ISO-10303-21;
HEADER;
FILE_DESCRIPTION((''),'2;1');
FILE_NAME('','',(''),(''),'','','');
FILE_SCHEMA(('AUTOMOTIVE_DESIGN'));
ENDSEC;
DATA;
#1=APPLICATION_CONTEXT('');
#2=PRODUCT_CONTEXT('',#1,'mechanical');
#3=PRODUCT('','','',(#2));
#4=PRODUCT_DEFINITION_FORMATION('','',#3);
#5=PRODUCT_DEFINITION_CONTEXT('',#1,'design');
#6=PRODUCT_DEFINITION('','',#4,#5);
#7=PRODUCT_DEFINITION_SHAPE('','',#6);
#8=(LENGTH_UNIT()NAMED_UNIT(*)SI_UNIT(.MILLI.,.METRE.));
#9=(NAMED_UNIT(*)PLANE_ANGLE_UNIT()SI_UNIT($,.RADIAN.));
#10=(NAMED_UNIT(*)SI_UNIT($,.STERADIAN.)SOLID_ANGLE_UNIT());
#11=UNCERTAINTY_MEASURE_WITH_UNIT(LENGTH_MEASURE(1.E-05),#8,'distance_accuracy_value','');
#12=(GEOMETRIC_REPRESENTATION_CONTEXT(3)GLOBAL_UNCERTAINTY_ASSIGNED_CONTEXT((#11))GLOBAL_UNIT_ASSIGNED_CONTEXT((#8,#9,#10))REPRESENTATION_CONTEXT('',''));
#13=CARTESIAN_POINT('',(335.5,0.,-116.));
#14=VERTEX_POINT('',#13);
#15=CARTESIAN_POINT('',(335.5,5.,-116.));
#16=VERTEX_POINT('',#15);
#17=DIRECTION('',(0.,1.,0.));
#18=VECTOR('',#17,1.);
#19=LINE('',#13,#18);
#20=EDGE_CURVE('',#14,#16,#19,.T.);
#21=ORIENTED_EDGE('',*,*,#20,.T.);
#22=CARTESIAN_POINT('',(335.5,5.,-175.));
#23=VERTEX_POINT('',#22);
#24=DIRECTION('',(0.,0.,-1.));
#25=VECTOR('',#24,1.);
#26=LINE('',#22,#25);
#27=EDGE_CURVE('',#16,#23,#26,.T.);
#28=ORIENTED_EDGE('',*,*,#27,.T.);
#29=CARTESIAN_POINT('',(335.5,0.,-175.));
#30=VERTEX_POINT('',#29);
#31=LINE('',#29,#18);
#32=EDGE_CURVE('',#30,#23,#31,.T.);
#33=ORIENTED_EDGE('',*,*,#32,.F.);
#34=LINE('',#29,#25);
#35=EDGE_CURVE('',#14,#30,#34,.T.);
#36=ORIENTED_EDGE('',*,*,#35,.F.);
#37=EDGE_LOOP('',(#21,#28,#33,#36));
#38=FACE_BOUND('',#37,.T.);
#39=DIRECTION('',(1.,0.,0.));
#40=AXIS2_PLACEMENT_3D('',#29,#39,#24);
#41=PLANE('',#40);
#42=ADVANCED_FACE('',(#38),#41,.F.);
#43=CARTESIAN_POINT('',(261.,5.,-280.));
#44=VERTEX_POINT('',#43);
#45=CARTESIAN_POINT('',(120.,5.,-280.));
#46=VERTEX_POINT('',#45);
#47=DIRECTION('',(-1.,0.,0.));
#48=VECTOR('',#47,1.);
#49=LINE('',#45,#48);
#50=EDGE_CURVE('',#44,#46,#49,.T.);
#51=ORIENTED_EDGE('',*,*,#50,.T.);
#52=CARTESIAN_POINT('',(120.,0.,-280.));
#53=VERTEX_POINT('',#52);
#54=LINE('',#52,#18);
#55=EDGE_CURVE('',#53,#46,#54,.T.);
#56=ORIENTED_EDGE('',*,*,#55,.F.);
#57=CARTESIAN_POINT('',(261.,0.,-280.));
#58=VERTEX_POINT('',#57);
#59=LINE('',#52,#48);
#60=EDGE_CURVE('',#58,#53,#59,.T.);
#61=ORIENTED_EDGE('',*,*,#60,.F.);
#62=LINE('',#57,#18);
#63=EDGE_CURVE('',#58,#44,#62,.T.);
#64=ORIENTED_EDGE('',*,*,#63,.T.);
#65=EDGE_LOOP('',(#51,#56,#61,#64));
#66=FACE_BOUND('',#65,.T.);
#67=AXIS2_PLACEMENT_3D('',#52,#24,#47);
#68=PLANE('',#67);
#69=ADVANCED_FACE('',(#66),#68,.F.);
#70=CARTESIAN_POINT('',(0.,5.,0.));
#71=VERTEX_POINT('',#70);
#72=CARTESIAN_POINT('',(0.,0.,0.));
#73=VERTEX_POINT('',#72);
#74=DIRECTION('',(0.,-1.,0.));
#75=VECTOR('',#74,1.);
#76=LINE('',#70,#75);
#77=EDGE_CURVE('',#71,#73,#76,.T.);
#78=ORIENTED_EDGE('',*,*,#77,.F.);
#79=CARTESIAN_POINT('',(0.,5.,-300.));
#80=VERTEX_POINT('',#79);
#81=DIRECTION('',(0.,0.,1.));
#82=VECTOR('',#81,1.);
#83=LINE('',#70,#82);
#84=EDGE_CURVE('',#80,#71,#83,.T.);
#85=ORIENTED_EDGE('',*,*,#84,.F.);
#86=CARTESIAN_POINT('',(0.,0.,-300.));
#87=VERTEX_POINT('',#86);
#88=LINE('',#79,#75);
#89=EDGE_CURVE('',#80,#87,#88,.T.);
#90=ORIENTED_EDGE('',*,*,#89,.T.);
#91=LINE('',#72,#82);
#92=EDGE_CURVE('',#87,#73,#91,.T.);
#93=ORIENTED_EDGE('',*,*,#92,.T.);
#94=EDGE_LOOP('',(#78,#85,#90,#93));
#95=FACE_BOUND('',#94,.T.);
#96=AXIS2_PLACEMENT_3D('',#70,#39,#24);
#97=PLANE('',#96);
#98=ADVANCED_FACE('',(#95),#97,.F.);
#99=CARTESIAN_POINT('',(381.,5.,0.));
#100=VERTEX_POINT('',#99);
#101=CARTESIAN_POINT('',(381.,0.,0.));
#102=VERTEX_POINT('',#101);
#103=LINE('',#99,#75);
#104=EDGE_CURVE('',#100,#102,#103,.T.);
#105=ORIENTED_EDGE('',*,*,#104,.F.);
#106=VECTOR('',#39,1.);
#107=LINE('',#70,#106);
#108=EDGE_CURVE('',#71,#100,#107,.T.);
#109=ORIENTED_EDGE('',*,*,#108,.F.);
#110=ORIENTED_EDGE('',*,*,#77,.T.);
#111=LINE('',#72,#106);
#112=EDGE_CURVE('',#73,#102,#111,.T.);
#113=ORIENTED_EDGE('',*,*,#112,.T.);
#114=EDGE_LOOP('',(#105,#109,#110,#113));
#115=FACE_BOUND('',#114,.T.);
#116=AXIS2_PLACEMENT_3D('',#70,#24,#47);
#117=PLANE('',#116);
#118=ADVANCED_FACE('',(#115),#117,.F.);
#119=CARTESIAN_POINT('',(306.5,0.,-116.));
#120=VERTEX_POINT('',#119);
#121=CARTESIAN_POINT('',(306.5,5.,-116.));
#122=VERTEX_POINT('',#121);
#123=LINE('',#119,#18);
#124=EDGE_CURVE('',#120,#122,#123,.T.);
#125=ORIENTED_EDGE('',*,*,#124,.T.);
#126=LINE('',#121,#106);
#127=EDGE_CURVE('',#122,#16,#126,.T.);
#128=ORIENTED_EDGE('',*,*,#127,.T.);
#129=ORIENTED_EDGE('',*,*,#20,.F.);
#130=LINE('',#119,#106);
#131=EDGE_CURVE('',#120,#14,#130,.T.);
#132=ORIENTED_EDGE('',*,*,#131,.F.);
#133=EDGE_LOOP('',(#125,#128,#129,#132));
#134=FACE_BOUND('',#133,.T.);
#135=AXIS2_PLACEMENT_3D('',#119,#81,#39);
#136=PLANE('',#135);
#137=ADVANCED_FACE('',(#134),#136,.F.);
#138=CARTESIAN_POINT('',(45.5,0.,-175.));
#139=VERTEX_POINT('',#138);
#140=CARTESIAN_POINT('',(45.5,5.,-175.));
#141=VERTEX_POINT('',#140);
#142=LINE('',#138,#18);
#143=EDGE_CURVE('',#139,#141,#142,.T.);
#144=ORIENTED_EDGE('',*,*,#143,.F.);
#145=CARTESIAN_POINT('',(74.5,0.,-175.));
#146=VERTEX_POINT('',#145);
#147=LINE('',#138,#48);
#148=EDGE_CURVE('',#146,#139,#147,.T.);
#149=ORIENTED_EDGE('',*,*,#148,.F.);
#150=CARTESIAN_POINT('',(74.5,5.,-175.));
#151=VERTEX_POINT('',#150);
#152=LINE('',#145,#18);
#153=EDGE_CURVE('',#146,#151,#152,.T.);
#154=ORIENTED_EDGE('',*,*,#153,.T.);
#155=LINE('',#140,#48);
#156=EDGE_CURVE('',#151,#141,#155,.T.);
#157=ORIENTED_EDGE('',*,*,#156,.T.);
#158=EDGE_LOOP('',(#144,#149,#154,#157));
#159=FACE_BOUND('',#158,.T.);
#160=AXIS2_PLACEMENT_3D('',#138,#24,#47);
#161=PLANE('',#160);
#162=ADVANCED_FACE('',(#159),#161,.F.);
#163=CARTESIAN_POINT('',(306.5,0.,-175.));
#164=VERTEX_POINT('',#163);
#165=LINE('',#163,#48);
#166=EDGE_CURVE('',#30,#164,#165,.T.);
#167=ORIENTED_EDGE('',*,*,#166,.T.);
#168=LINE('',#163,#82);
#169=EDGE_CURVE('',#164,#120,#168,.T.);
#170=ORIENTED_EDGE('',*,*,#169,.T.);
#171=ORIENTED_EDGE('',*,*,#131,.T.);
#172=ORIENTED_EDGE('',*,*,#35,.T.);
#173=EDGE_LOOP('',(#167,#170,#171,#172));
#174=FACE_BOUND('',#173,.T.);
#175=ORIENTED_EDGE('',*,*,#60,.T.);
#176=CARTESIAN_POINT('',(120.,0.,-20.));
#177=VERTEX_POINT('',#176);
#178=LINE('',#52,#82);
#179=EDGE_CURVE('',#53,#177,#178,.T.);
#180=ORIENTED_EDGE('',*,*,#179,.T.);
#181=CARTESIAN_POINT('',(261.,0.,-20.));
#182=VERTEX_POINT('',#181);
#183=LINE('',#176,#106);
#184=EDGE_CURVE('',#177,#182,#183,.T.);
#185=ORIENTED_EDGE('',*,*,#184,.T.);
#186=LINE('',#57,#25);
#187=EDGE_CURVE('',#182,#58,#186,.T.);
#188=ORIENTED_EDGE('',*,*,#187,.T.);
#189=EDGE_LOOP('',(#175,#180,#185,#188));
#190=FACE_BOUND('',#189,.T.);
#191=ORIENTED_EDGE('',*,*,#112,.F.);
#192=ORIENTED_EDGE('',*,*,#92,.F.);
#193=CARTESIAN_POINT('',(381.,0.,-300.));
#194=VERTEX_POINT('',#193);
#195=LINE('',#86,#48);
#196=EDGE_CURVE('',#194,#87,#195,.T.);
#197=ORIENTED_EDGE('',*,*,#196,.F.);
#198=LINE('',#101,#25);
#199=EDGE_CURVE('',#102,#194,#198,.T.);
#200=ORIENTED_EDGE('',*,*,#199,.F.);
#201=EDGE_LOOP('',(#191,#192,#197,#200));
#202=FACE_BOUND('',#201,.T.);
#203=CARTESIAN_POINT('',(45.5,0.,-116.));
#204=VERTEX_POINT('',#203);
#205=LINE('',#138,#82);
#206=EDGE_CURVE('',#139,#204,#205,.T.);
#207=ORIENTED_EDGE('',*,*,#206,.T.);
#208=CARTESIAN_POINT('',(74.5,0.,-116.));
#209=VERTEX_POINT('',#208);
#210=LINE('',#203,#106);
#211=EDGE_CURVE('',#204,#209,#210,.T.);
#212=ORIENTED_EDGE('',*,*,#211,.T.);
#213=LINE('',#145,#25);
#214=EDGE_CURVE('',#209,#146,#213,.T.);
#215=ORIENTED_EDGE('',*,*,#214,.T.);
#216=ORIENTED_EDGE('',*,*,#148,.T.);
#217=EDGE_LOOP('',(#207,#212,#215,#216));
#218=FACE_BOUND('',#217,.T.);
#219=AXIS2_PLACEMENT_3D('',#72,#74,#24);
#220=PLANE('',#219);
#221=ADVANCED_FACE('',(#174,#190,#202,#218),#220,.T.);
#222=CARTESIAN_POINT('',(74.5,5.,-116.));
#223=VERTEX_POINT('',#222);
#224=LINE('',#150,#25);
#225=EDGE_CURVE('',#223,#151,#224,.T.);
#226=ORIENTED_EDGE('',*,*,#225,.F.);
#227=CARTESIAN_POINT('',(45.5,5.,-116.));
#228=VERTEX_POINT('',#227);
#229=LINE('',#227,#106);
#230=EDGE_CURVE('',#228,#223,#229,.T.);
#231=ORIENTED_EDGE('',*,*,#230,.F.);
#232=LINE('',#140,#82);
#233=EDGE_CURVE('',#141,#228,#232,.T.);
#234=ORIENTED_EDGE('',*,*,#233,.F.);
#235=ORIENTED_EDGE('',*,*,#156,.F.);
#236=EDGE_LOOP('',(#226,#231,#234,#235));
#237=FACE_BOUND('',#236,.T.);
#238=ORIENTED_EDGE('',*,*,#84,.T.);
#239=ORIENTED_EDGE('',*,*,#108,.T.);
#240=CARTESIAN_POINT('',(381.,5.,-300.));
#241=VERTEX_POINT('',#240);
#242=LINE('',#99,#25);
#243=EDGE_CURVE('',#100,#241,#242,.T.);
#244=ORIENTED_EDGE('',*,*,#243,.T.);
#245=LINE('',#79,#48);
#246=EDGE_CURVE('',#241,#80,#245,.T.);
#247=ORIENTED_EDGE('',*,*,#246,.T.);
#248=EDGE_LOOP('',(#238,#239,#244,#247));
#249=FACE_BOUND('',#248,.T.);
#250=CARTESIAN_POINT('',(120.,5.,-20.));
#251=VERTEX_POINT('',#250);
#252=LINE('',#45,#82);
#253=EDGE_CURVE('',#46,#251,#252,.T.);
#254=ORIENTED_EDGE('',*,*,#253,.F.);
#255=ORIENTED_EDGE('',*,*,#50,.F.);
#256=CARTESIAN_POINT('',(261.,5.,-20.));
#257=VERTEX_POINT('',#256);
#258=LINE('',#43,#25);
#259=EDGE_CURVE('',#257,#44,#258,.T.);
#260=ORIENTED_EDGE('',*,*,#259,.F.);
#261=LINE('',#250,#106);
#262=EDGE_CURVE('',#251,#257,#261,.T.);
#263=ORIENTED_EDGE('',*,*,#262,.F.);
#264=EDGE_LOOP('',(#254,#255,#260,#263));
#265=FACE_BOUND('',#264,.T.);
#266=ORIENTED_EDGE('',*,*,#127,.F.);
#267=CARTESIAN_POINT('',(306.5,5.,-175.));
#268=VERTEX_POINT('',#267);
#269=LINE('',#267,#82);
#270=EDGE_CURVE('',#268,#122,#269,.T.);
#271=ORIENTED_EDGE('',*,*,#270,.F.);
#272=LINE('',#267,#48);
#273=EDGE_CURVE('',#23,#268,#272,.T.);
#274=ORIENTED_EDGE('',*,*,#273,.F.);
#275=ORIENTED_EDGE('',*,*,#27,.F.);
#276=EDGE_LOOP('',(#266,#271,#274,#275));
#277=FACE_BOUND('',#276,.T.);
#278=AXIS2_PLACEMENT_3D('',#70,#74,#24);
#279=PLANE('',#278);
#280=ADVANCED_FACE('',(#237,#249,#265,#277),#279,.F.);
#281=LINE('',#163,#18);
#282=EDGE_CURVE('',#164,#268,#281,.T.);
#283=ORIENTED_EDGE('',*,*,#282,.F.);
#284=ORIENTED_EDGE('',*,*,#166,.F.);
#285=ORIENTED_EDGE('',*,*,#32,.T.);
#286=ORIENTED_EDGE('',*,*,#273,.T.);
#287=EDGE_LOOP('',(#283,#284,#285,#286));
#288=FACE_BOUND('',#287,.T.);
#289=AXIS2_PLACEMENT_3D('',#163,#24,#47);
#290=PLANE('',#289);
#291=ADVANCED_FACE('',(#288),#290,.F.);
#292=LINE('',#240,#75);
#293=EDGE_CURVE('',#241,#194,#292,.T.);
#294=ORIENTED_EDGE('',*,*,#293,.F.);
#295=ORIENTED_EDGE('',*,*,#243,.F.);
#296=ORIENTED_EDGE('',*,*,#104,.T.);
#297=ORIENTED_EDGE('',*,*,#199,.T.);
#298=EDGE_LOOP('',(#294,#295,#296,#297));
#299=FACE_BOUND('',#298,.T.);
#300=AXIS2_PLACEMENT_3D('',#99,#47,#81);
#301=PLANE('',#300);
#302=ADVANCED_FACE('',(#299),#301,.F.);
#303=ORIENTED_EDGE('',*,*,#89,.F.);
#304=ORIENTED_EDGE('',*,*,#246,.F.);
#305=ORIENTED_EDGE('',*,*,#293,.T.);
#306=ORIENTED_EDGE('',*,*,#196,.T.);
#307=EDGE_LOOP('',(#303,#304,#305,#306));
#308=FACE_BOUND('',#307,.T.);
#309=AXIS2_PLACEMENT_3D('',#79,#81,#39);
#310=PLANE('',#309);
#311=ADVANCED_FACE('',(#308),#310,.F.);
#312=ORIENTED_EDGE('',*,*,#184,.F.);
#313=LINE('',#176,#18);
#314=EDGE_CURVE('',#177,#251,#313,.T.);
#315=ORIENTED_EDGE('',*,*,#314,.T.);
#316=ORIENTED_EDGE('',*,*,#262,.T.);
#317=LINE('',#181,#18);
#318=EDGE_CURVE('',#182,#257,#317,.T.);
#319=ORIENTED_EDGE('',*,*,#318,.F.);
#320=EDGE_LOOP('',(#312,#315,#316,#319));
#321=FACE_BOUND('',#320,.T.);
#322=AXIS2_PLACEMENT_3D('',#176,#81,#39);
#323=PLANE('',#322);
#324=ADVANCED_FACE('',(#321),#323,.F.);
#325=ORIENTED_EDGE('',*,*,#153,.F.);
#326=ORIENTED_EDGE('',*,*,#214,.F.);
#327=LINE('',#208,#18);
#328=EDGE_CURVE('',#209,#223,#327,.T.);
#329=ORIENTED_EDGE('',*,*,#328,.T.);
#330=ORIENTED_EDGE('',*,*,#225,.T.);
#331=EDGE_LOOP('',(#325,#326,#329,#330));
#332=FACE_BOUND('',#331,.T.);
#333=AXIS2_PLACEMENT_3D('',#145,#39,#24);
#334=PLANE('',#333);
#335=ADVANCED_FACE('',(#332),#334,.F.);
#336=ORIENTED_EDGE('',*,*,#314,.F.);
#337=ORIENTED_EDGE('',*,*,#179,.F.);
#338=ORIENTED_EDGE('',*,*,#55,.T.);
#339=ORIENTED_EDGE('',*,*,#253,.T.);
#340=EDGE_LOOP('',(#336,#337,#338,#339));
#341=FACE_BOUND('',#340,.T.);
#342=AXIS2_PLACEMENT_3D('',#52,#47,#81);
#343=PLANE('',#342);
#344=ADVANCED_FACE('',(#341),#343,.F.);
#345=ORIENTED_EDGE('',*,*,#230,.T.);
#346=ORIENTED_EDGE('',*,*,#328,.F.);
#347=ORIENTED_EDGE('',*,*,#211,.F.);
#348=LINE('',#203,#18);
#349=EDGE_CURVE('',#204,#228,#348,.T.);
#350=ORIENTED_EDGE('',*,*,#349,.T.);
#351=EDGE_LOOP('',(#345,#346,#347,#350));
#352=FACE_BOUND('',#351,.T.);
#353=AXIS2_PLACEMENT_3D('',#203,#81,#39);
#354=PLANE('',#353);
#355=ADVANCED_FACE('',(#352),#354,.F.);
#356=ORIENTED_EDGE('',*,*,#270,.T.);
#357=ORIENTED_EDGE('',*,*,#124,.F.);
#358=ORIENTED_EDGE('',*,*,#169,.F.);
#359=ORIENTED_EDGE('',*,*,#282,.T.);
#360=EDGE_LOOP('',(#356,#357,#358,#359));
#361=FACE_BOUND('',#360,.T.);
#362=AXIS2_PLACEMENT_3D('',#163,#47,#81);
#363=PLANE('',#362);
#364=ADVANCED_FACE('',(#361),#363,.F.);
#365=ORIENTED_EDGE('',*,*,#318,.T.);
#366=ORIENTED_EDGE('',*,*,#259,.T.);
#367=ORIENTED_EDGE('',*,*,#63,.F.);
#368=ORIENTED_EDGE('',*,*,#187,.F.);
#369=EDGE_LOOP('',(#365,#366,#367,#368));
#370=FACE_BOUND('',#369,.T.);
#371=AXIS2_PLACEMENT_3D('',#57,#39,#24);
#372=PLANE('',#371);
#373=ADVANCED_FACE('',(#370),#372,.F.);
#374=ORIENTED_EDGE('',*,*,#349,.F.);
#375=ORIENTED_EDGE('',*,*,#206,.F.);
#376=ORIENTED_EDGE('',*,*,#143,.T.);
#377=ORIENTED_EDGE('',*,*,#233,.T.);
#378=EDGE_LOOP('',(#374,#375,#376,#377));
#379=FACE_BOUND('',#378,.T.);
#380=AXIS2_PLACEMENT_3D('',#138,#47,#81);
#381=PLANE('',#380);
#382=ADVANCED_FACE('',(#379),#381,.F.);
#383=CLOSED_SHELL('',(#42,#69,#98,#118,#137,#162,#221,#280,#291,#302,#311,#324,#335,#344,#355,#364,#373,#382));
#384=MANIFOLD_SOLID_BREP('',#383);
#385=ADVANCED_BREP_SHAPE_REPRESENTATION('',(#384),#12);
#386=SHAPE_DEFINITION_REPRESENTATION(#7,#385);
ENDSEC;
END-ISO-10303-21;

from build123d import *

# Parameters (mm, degrees)
SKETCH1_W           = 381
SKETCH1_H           = 300
BOSS_EXTRUDE2_DEPTH = 5
SKETCH3_W           = 29
SKETCH3_H           = 59
SKETCH3_W_2         = 141
SKETCH3_H_2         = 260
CUT_EXTRUDE2_DEPTH  = 5


with BuildPart() as part:
    # Sketch1 → Boss-Extrude2 (new body)
    with BuildSketch(Plane(origin=(0, 0, 0), x_dir=(1, 0, 0), z_dir=(0, 1, 0))):
        with Locations((190.5, 150)):
            Rectangle(SKETCH1_W, SKETCH1_H)
    extrude(amount=BOSS_EXTRUDE2_DEPTH)

    # Sketch3 → Cut-Extrude2 (cut)
    with BuildSketch(Plane(origin=(0, 5, 0), x_dir=(1, 0, 0), z_dir=(0, 1, 0))):
        with Locations((60, 145.5)):
            Rectangle(SKETCH3_W, SKETCH3_H)
        with Locations((321, 145.5)):
            Rectangle(SKETCH3_W, SKETCH3_H)
        with Locations((190.5, 150)):
            Rectangle(SKETCH3_W_2, SKETCH3_H_2)
    extrude(amount=-CUT_EXTRUDE2_DEPTH, mode=Mode.SUBTRACT)


solid = part.part
